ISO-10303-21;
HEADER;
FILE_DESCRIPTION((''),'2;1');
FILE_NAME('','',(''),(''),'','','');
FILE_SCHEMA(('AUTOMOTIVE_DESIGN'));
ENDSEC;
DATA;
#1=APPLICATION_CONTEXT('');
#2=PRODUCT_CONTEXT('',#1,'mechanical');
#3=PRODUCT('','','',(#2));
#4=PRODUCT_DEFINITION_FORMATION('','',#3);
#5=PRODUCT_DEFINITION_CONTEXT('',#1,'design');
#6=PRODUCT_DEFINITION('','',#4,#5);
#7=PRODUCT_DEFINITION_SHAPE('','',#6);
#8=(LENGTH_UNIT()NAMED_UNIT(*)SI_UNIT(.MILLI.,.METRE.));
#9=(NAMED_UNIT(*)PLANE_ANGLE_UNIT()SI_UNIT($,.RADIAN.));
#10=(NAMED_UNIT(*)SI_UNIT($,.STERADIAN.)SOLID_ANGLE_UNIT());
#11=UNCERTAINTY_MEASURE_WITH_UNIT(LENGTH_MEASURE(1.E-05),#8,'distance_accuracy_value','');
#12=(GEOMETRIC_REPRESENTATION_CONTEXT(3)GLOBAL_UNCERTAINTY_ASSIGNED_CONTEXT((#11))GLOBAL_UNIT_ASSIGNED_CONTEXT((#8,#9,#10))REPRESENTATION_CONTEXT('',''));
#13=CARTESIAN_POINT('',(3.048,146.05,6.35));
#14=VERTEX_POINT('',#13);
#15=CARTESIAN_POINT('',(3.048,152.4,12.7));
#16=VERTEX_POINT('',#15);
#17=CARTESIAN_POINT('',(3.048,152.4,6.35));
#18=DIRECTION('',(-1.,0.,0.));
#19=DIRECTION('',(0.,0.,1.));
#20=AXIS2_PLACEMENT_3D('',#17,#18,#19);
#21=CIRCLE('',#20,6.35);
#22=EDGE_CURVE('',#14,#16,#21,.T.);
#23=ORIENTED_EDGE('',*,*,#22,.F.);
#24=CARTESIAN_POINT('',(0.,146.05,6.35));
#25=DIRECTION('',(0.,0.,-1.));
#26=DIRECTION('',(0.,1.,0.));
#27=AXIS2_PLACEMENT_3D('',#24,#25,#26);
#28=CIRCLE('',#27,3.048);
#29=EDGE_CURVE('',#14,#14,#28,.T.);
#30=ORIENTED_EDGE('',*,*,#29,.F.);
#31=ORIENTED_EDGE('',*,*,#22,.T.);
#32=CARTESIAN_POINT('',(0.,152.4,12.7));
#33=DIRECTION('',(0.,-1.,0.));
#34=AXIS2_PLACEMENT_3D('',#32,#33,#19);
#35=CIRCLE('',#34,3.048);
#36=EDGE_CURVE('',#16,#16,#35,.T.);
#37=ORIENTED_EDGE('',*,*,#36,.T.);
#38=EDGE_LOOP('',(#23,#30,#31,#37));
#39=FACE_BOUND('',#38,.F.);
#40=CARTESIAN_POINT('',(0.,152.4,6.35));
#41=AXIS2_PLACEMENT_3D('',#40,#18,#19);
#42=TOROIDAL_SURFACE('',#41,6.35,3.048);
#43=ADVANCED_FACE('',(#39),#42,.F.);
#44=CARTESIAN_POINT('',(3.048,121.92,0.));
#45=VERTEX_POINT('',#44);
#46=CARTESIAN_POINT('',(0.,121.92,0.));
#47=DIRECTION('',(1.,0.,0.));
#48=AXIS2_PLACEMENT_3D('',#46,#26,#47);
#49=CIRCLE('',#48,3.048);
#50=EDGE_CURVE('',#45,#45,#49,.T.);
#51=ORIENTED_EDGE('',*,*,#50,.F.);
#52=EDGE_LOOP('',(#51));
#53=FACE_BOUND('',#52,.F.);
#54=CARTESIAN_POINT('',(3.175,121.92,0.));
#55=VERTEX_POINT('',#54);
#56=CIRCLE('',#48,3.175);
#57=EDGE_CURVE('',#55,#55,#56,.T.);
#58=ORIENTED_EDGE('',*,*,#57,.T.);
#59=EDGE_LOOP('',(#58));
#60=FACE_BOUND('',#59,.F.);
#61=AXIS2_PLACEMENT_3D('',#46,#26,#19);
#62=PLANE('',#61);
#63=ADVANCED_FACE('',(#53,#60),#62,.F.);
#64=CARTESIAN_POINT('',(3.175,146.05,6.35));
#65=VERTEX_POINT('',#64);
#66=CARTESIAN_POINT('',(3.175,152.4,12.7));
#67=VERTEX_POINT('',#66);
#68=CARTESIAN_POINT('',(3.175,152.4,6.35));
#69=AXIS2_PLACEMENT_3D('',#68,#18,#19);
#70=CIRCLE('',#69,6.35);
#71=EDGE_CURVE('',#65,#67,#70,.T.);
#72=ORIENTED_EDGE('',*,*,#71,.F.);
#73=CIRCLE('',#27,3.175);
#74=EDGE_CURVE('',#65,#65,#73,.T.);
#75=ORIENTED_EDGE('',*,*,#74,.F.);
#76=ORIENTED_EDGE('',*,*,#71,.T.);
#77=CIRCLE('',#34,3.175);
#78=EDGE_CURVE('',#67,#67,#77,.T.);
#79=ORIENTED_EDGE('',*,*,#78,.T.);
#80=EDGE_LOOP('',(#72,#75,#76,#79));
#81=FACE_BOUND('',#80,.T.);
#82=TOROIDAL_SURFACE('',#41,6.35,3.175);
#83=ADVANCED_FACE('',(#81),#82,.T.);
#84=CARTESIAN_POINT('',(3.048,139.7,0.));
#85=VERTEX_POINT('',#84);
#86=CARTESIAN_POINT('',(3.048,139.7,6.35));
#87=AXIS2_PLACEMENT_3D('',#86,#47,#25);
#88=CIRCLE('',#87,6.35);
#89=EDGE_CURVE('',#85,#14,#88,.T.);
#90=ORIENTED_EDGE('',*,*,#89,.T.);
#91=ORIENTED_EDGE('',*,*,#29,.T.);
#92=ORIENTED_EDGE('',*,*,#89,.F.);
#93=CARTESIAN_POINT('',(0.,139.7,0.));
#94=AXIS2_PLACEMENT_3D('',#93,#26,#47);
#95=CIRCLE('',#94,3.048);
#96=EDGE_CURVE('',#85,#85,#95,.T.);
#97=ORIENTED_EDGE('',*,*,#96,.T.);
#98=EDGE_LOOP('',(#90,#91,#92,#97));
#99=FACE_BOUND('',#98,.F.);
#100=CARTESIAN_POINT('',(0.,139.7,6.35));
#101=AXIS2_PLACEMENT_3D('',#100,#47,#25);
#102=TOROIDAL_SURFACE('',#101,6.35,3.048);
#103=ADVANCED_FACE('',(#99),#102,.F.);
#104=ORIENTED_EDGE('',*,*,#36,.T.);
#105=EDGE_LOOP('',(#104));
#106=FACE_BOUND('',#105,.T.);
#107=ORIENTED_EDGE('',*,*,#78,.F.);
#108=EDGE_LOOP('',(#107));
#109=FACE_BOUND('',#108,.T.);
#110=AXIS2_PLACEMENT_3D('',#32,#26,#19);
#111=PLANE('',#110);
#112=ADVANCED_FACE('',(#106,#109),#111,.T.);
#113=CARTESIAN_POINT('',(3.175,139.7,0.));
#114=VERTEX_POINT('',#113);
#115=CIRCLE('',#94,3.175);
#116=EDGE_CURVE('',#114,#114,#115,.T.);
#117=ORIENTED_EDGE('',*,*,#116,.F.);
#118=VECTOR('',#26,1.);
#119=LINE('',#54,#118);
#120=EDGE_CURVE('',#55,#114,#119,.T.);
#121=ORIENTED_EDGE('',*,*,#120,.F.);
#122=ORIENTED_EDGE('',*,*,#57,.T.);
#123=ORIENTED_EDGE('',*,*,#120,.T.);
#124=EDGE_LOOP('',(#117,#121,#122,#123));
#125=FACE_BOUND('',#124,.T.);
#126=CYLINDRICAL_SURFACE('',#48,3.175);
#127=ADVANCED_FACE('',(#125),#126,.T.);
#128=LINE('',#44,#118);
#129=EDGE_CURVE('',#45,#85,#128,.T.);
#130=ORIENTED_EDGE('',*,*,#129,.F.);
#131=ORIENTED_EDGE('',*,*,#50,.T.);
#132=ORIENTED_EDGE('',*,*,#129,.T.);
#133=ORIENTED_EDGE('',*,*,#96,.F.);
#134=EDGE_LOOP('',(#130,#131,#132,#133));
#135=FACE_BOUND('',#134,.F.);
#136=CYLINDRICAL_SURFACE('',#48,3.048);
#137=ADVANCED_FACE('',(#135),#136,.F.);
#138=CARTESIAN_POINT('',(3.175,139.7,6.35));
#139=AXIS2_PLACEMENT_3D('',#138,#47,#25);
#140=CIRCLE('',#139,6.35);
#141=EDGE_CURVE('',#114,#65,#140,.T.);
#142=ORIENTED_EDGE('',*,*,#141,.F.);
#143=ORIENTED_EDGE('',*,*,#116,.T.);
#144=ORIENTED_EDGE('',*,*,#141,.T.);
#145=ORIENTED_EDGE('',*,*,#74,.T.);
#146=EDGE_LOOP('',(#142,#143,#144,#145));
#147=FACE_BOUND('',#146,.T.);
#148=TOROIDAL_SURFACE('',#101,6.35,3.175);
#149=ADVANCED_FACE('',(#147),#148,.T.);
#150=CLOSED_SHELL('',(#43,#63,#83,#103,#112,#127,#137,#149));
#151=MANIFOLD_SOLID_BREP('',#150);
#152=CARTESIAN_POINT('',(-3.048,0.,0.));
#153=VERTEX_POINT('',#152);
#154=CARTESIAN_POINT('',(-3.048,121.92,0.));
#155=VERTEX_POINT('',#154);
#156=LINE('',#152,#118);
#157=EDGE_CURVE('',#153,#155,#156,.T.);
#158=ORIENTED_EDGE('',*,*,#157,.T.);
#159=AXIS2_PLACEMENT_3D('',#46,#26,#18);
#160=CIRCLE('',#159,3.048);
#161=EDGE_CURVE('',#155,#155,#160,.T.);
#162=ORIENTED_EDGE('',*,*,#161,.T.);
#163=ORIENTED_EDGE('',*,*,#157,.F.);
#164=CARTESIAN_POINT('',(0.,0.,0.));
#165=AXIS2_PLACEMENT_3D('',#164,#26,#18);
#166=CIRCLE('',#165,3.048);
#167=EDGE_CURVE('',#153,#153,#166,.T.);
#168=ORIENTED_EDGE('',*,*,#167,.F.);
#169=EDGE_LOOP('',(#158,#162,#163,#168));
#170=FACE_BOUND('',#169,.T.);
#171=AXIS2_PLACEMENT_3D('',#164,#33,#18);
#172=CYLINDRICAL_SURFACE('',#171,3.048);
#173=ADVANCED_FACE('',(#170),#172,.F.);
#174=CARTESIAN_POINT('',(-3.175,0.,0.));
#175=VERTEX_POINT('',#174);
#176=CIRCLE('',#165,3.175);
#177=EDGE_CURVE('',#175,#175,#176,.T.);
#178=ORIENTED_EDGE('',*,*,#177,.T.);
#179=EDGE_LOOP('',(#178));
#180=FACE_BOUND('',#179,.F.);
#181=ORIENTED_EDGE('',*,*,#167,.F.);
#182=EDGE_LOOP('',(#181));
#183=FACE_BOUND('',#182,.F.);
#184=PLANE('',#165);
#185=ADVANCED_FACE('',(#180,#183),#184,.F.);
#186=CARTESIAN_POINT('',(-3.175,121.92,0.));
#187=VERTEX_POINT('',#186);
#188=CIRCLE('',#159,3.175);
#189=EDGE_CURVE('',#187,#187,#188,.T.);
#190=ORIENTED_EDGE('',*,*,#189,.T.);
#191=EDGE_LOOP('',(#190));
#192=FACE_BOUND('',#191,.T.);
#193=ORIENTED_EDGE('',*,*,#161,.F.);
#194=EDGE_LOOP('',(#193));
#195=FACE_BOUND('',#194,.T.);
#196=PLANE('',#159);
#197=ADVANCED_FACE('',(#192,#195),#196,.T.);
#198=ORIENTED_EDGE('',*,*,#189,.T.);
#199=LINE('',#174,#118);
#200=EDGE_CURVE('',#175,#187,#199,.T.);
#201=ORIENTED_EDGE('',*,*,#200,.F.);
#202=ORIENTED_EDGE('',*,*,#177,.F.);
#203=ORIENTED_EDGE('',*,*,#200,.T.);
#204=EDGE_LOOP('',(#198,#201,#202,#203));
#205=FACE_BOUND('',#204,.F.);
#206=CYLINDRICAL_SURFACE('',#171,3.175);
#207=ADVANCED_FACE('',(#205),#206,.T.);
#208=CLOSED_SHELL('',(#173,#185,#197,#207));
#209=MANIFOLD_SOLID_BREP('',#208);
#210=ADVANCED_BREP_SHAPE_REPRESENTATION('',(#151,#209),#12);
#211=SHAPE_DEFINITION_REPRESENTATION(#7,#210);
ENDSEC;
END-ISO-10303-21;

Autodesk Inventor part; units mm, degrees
ref_plane "YZ Plane" through (0, 0, 0) normal (1, 0, 0) x (0, 1, 0)
ref_plane "XZ Plane" through (0, 0, 0) normal (0, 1, 0) x (-1, 0, 0)
ref_plane "XY Plane" through (0, 0, 0) normal (0, 0, 1) x (1, 0, 0)
sketch "Sketch1" plane through (0, 0, 0) normal (0, 1, 0) x (-1, 0, 0)
  circle A0 centre (0, 0) radius 3.175
  circle A1 centre (0, 0) radius 3.048
  dimension "d0" = 6.35
  dimension "d1" = 6.096
extrude "Extrusion1" add sketch "Sketch1" along normal blind 121.92
sketch "Sketch8" plane through (0, 0, 0) normal (1, 0, 0) x (0, 1, 0)
  line L0 (121.92, -3.175) -> (121.92, 3.175) projected
  line L1 (121.92, 0) -> (139.7, 0)
  arc A0 (139.7, 0) -> (146.05, 6.35) centre (139.7, 6.35) ccw
  arc A1 (152.4, 12.7) -> (146.05, 6.35) centre (152.4, 6.35) ccw
  point P0 (0, 0)
  dimension "d31" = 17.78
sketch "Sketch9" plane through (0, 121.92, 0) normal (0, 1, 0) x (1, 0, 0)
  circle A0 centre (0, 0) radius 3.175 projected
  circle A1 centre (0, 0) radius 3.048 projected
sweep "Sweep4" add profiles "Sketch9" path "Sketch8" separate body path curves L1 A0 A1
properties part number "waterpipe3"
